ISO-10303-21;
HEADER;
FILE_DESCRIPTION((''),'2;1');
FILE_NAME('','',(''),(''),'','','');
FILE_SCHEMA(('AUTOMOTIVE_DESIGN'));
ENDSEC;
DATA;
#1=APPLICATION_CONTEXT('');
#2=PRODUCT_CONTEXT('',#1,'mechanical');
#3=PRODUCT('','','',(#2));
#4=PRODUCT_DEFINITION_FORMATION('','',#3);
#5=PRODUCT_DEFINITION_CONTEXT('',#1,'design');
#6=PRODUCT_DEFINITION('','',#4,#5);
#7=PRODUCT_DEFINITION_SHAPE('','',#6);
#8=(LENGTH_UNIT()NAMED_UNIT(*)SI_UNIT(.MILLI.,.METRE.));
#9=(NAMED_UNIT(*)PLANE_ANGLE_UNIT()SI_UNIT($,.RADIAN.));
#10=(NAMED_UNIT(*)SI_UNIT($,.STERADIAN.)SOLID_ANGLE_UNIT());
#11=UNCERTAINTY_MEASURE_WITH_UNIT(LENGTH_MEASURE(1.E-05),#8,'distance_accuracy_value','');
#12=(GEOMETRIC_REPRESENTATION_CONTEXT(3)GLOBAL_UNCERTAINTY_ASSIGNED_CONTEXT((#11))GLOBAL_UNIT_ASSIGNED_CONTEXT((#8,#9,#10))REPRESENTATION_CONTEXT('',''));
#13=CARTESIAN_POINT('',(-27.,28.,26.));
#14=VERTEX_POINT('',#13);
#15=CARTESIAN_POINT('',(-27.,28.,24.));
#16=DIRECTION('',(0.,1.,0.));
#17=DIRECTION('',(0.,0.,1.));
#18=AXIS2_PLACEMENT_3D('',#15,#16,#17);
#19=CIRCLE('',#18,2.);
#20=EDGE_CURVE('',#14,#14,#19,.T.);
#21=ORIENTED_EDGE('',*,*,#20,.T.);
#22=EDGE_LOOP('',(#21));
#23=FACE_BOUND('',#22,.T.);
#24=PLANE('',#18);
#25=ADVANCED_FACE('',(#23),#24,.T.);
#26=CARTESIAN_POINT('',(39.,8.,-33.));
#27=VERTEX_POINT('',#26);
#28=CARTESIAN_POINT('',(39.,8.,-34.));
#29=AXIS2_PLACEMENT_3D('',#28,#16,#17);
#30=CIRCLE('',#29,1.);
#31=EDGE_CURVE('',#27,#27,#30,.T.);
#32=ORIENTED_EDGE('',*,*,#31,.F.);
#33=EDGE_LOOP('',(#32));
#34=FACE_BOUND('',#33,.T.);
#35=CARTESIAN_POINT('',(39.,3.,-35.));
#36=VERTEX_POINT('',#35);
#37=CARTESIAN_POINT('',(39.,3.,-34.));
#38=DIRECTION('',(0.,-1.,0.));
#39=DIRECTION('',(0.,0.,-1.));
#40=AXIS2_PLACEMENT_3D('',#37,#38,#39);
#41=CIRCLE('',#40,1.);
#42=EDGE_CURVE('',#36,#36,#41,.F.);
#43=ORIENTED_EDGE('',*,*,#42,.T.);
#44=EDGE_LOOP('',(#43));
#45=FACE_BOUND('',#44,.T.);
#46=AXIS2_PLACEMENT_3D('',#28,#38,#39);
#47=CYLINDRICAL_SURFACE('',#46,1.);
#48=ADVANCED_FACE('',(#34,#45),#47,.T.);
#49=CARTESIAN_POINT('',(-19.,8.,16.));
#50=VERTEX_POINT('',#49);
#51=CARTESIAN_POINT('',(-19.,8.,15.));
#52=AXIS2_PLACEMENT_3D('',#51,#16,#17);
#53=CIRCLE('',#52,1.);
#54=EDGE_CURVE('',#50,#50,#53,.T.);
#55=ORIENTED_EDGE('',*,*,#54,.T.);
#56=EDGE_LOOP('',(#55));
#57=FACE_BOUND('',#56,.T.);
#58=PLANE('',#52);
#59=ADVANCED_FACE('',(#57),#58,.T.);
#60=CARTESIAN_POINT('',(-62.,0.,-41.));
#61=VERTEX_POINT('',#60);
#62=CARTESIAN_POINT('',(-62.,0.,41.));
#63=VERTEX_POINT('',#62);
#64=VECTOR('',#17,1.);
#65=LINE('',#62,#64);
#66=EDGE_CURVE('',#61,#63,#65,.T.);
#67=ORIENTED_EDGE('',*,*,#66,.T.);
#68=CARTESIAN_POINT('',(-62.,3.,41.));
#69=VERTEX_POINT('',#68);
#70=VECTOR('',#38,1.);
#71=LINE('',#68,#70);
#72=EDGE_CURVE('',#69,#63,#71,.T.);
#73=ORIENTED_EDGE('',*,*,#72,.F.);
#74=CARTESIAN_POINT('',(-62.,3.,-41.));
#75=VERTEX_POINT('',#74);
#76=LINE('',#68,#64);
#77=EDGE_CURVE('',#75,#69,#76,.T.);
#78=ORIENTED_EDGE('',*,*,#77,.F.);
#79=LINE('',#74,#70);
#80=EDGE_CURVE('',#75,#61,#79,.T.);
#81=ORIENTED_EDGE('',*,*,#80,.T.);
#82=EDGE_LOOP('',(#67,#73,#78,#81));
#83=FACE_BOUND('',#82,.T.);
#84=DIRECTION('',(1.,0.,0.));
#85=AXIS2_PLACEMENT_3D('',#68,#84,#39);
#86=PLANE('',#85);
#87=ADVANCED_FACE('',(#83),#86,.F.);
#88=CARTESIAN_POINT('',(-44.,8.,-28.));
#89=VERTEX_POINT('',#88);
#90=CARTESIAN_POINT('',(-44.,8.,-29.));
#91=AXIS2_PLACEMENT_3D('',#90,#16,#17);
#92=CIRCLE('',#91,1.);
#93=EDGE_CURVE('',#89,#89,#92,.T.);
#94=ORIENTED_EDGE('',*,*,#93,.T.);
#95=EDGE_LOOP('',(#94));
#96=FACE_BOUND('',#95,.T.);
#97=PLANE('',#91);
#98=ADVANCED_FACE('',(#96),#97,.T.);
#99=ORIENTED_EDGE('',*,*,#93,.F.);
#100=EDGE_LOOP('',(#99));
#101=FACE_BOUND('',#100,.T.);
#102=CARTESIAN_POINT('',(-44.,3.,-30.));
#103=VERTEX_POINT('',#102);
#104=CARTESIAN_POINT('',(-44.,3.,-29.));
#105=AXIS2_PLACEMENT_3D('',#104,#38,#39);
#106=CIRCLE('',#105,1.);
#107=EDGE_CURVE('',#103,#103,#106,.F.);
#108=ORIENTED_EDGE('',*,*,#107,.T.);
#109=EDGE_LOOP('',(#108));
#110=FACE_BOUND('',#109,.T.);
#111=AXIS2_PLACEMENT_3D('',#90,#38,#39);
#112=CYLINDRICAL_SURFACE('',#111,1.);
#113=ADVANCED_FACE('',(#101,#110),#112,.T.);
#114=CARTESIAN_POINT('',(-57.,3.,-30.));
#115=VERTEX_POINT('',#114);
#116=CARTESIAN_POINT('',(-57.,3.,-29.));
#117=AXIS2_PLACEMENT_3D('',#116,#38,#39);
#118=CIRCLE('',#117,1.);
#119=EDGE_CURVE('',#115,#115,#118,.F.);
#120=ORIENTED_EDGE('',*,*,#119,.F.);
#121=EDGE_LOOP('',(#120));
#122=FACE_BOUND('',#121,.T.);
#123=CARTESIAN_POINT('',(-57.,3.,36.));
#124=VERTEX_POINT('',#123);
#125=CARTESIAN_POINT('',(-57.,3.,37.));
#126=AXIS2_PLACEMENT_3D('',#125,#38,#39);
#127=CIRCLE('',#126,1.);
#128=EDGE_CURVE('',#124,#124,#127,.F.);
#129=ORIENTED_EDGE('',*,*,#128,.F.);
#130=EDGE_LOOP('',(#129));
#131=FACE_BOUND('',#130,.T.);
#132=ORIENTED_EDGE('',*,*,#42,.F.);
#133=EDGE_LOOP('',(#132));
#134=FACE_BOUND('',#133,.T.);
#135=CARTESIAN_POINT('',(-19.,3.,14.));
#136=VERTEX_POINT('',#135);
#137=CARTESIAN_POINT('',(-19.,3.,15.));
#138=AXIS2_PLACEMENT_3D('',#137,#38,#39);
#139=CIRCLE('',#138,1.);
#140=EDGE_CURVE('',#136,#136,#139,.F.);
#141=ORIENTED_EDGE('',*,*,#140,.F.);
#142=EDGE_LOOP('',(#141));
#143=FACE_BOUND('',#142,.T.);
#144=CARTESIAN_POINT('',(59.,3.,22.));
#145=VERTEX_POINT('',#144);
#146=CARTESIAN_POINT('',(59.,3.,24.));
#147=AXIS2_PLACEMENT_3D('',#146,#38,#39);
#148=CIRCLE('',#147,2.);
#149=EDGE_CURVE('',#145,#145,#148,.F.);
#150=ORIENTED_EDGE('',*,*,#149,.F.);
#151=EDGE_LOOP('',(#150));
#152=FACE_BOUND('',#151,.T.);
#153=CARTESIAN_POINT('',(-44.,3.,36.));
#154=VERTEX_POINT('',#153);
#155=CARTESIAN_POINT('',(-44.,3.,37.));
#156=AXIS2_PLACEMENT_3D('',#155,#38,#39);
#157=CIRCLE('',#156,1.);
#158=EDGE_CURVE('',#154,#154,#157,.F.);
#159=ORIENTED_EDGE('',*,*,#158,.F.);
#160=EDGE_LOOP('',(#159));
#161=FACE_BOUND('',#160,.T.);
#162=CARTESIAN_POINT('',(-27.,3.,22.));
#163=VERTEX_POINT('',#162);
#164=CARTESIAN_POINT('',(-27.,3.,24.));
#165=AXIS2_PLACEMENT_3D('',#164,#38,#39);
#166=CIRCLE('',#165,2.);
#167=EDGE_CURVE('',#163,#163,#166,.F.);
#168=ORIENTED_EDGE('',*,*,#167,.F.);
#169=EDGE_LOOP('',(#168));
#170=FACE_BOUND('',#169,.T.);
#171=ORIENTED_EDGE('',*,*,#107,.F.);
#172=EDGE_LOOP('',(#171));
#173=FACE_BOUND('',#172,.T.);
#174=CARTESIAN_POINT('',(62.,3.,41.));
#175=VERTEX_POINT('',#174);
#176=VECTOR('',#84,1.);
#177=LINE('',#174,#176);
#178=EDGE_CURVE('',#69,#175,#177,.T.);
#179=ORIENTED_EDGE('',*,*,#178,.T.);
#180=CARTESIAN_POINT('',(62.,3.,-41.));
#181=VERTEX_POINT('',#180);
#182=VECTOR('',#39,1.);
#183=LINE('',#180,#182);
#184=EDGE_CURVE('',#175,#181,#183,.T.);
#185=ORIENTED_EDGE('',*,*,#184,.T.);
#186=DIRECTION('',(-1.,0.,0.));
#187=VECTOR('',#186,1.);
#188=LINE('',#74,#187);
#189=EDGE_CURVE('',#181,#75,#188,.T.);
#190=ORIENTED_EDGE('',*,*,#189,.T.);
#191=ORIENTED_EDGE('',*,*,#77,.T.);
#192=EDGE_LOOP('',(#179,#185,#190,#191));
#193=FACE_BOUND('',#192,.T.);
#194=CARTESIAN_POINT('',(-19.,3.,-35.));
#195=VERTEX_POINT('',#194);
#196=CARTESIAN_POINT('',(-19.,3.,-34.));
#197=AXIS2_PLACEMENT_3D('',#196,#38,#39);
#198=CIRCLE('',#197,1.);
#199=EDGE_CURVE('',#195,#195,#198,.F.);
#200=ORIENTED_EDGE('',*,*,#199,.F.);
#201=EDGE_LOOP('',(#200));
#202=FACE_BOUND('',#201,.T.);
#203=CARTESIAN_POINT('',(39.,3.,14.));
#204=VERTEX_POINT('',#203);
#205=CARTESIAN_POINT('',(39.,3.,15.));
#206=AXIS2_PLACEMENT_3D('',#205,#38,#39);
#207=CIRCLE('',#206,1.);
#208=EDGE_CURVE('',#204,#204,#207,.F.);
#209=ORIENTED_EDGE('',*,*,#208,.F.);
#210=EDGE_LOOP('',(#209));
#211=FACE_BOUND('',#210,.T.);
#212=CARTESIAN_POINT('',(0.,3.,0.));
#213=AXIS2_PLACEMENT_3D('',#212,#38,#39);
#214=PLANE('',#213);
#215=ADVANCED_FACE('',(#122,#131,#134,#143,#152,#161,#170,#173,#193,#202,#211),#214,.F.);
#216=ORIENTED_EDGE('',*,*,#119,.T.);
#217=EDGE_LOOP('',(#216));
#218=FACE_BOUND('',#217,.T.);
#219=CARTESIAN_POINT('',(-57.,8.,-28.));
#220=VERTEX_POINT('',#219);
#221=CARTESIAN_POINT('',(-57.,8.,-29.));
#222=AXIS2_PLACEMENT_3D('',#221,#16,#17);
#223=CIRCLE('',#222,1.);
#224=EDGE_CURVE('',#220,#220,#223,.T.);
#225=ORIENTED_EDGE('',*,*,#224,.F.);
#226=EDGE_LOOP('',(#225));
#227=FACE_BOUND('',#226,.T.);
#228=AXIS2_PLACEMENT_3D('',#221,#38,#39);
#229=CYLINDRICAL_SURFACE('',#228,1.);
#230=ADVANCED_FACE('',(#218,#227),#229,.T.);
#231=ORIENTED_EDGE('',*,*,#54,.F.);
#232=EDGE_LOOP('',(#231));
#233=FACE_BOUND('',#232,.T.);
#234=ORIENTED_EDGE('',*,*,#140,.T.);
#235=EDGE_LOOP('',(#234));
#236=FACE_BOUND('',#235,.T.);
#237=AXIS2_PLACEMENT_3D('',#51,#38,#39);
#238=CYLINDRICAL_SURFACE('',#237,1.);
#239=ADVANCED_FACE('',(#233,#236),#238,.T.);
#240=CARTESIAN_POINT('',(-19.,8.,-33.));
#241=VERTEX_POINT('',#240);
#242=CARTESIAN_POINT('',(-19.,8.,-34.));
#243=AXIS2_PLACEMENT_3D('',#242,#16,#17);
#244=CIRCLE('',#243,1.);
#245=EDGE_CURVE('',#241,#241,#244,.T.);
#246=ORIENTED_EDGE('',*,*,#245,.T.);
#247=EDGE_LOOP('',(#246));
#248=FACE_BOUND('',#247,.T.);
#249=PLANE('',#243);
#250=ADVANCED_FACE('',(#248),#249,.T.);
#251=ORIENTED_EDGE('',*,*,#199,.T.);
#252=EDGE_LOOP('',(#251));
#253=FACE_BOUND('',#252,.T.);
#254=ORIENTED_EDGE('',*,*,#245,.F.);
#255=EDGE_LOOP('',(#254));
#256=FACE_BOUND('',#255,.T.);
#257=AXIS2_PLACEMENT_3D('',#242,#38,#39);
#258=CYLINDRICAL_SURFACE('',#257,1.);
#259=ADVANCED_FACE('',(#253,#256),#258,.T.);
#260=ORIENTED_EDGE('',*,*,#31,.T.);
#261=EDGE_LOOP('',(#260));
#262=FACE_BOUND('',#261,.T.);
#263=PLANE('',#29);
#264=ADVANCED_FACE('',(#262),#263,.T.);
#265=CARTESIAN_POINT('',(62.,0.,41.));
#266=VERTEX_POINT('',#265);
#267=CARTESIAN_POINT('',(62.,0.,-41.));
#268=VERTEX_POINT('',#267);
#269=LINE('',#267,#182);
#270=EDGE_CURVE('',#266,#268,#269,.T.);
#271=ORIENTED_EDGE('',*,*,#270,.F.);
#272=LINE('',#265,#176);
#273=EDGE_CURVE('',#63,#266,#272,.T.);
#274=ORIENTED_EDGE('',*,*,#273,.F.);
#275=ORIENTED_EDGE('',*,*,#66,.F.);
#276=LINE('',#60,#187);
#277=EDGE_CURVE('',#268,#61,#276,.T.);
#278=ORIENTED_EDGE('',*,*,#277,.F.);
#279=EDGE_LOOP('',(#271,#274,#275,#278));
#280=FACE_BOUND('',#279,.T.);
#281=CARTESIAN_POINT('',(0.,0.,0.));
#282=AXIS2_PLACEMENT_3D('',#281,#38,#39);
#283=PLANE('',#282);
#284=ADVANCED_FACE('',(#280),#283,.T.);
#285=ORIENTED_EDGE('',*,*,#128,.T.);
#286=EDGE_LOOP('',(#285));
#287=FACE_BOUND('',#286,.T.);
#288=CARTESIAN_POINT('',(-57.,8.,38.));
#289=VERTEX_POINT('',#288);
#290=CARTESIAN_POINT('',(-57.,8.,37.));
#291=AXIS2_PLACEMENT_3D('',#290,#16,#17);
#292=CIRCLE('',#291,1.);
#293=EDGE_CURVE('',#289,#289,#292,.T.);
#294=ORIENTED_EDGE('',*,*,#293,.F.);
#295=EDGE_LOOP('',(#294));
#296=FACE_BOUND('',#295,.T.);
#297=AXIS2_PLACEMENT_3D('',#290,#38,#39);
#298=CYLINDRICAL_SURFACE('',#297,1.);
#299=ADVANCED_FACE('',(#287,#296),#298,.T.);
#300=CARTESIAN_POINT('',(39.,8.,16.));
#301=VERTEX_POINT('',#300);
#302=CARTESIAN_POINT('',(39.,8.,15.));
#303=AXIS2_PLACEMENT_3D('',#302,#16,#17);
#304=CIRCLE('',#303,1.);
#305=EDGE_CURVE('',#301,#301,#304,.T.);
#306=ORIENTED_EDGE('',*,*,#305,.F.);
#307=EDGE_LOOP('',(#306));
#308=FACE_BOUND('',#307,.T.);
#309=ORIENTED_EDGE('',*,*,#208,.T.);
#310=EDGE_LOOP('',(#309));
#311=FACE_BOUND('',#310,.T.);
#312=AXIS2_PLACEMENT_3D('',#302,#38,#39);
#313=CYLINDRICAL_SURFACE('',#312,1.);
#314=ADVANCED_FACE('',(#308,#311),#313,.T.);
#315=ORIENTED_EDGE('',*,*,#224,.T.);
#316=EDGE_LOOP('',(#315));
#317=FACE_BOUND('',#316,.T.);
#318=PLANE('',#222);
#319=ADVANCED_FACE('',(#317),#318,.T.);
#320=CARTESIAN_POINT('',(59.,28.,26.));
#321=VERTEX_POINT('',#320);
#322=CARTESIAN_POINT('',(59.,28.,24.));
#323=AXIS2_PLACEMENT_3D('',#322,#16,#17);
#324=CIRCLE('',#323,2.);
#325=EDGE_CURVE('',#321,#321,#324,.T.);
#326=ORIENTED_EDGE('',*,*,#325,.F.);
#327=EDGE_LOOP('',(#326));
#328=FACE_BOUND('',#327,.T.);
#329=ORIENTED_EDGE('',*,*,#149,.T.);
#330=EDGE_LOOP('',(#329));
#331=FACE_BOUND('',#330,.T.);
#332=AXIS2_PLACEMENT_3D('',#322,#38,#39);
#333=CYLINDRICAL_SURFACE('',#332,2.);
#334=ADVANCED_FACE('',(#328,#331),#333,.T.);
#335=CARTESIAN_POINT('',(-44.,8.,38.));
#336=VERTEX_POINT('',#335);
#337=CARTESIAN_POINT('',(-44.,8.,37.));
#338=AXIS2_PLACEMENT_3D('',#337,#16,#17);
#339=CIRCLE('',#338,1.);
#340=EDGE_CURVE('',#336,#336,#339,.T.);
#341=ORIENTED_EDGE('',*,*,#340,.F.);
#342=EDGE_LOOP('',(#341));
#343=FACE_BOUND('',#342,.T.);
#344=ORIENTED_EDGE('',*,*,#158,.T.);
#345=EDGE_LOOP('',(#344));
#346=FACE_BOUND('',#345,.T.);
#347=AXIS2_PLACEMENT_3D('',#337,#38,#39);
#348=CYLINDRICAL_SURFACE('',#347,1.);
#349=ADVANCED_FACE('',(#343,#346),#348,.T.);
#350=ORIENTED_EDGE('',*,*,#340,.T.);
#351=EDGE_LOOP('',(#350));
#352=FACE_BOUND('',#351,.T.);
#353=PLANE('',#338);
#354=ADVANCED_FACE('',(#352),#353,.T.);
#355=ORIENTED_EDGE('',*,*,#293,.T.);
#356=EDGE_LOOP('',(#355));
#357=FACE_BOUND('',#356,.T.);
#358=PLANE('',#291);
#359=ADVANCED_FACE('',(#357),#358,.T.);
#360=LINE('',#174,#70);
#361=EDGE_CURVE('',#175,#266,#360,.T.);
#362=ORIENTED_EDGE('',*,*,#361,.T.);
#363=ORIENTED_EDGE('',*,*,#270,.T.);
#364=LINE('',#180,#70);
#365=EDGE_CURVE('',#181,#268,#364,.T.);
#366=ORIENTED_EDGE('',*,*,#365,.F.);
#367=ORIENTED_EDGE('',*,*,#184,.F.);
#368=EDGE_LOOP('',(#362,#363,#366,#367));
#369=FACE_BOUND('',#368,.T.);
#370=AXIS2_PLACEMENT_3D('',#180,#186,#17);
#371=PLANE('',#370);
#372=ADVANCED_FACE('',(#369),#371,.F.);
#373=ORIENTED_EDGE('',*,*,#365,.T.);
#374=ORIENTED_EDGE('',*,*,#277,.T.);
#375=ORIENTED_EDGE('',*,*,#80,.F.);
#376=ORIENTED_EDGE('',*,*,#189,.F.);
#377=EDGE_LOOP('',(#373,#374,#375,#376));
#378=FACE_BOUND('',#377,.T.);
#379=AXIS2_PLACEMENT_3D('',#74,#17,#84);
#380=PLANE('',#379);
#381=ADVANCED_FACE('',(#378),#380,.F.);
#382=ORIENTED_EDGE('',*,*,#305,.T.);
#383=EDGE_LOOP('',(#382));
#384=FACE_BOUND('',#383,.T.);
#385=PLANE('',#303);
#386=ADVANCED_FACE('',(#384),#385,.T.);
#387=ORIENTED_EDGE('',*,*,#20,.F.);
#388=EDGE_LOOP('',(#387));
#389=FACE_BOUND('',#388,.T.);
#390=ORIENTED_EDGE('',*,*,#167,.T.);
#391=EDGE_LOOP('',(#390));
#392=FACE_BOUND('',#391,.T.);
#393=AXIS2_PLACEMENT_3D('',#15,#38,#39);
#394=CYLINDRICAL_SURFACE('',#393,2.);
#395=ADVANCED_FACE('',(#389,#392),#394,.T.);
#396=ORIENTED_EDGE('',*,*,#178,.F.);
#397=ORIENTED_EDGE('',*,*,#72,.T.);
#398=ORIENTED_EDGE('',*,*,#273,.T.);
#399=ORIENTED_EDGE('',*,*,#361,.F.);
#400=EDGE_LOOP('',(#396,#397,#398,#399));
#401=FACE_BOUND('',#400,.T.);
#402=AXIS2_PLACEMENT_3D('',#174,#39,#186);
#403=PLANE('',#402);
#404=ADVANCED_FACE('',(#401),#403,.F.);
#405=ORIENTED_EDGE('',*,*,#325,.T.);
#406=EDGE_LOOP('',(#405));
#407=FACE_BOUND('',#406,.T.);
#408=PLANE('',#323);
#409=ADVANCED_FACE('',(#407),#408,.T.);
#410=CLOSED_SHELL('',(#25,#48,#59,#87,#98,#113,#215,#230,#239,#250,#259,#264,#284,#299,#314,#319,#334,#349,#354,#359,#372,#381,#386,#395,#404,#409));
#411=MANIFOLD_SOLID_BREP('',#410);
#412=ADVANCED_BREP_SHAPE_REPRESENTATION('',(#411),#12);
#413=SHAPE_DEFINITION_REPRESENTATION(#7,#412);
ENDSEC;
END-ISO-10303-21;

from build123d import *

# Parameters (mm, degrees)
SKETCH7_W           = 124
SKETCH7_H           = 82
BOSS_EXTRUDE3_DEPTH = 3
SKETCH8_R           = 2
BOSS_EXTRUDE4_DEPTH = 25
SKETCH9_R           = 1
BOSS_EXTRUDE5_DEPTH = 5
SKETCH10_R          = 1
BOSS_EXTRUDE6_DEPTH = 5


with BuildPart() as part:
    # Sketch7 → Boss-Extrude3 (new body)
    with BuildSketch(Plane(origin=(0, 0, 0), x_dir=(1, 0, 0), z_dir=(0, 1, 0))):
        Rectangle(SKETCH7_W, SKETCH7_H)
    extrude(amount=BOSS_EXTRUDE3_DEPTH)

    # Sketch8 → Boss-Extrude4 (add)
    with BuildSketch(Plane(origin=(0, 3, 0), x_dir=(1, 0, 0), z_dir=(0, 1, 0))):
        with Locations(Location((59, -24, 0), (0, 0, 90))):
            Circle(SKETCH8_R)
        with Locations(Location((-27, -24, 0), (0, 0, 90))):
            Circle(SKETCH8_R)
    extrude(amount=BOSS_EXTRUDE4_DEPTH)

    # Sketch9 → Boss-Extrude5 (add)
    with BuildSketch(Plane(origin=(0, 3, 0), x_dir=(1, 0, 0), z_dir=(0, 1, 0))):
        with Locations(Location((39, 34, 0), (0, 0, 90))):
            Circle(SKETCH9_R)
        with Locations(Location((-19, 34, 0), (0, 0, 90))):
            Circle(SKETCH9_R)
        with Locations(Location((-19, -15, 0), (0, 0, 90))):
            Circle(SKETCH9_R)
        with Locations(Location((39, -15, 0), (0, 0, 90))):
            Circle(SKETCH9_R)
    extrude(amount=BOSS_EXTRUDE5_DEPTH)

    # Sketch10 → Boss-Extrude6 (add)
    with BuildSketch(Plane(origin=(0, 3, 0), x_dir=(1, 0, 0), z_dir=(0, 1, 0))):
        with Locations(Location((-57, -37, 0), (0, 0, 90))):
            Circle(SKETCH10_R)
        with Locations(Location((-44, -37, 0), (0, 0, 90))):
            Circle(SKETCH10_R)
        with Locations(Location((-44, 29, 0), (0, 0, 90))):
            Circle(SKETCH10_R)
        with Locations(Location((-57, 29, 0), (0, 0, 90))):
            Circle(SKETCH10_R)
    extrude(amount=BOSS_EXTRUDE6_DEPTH)


solid = part.part
